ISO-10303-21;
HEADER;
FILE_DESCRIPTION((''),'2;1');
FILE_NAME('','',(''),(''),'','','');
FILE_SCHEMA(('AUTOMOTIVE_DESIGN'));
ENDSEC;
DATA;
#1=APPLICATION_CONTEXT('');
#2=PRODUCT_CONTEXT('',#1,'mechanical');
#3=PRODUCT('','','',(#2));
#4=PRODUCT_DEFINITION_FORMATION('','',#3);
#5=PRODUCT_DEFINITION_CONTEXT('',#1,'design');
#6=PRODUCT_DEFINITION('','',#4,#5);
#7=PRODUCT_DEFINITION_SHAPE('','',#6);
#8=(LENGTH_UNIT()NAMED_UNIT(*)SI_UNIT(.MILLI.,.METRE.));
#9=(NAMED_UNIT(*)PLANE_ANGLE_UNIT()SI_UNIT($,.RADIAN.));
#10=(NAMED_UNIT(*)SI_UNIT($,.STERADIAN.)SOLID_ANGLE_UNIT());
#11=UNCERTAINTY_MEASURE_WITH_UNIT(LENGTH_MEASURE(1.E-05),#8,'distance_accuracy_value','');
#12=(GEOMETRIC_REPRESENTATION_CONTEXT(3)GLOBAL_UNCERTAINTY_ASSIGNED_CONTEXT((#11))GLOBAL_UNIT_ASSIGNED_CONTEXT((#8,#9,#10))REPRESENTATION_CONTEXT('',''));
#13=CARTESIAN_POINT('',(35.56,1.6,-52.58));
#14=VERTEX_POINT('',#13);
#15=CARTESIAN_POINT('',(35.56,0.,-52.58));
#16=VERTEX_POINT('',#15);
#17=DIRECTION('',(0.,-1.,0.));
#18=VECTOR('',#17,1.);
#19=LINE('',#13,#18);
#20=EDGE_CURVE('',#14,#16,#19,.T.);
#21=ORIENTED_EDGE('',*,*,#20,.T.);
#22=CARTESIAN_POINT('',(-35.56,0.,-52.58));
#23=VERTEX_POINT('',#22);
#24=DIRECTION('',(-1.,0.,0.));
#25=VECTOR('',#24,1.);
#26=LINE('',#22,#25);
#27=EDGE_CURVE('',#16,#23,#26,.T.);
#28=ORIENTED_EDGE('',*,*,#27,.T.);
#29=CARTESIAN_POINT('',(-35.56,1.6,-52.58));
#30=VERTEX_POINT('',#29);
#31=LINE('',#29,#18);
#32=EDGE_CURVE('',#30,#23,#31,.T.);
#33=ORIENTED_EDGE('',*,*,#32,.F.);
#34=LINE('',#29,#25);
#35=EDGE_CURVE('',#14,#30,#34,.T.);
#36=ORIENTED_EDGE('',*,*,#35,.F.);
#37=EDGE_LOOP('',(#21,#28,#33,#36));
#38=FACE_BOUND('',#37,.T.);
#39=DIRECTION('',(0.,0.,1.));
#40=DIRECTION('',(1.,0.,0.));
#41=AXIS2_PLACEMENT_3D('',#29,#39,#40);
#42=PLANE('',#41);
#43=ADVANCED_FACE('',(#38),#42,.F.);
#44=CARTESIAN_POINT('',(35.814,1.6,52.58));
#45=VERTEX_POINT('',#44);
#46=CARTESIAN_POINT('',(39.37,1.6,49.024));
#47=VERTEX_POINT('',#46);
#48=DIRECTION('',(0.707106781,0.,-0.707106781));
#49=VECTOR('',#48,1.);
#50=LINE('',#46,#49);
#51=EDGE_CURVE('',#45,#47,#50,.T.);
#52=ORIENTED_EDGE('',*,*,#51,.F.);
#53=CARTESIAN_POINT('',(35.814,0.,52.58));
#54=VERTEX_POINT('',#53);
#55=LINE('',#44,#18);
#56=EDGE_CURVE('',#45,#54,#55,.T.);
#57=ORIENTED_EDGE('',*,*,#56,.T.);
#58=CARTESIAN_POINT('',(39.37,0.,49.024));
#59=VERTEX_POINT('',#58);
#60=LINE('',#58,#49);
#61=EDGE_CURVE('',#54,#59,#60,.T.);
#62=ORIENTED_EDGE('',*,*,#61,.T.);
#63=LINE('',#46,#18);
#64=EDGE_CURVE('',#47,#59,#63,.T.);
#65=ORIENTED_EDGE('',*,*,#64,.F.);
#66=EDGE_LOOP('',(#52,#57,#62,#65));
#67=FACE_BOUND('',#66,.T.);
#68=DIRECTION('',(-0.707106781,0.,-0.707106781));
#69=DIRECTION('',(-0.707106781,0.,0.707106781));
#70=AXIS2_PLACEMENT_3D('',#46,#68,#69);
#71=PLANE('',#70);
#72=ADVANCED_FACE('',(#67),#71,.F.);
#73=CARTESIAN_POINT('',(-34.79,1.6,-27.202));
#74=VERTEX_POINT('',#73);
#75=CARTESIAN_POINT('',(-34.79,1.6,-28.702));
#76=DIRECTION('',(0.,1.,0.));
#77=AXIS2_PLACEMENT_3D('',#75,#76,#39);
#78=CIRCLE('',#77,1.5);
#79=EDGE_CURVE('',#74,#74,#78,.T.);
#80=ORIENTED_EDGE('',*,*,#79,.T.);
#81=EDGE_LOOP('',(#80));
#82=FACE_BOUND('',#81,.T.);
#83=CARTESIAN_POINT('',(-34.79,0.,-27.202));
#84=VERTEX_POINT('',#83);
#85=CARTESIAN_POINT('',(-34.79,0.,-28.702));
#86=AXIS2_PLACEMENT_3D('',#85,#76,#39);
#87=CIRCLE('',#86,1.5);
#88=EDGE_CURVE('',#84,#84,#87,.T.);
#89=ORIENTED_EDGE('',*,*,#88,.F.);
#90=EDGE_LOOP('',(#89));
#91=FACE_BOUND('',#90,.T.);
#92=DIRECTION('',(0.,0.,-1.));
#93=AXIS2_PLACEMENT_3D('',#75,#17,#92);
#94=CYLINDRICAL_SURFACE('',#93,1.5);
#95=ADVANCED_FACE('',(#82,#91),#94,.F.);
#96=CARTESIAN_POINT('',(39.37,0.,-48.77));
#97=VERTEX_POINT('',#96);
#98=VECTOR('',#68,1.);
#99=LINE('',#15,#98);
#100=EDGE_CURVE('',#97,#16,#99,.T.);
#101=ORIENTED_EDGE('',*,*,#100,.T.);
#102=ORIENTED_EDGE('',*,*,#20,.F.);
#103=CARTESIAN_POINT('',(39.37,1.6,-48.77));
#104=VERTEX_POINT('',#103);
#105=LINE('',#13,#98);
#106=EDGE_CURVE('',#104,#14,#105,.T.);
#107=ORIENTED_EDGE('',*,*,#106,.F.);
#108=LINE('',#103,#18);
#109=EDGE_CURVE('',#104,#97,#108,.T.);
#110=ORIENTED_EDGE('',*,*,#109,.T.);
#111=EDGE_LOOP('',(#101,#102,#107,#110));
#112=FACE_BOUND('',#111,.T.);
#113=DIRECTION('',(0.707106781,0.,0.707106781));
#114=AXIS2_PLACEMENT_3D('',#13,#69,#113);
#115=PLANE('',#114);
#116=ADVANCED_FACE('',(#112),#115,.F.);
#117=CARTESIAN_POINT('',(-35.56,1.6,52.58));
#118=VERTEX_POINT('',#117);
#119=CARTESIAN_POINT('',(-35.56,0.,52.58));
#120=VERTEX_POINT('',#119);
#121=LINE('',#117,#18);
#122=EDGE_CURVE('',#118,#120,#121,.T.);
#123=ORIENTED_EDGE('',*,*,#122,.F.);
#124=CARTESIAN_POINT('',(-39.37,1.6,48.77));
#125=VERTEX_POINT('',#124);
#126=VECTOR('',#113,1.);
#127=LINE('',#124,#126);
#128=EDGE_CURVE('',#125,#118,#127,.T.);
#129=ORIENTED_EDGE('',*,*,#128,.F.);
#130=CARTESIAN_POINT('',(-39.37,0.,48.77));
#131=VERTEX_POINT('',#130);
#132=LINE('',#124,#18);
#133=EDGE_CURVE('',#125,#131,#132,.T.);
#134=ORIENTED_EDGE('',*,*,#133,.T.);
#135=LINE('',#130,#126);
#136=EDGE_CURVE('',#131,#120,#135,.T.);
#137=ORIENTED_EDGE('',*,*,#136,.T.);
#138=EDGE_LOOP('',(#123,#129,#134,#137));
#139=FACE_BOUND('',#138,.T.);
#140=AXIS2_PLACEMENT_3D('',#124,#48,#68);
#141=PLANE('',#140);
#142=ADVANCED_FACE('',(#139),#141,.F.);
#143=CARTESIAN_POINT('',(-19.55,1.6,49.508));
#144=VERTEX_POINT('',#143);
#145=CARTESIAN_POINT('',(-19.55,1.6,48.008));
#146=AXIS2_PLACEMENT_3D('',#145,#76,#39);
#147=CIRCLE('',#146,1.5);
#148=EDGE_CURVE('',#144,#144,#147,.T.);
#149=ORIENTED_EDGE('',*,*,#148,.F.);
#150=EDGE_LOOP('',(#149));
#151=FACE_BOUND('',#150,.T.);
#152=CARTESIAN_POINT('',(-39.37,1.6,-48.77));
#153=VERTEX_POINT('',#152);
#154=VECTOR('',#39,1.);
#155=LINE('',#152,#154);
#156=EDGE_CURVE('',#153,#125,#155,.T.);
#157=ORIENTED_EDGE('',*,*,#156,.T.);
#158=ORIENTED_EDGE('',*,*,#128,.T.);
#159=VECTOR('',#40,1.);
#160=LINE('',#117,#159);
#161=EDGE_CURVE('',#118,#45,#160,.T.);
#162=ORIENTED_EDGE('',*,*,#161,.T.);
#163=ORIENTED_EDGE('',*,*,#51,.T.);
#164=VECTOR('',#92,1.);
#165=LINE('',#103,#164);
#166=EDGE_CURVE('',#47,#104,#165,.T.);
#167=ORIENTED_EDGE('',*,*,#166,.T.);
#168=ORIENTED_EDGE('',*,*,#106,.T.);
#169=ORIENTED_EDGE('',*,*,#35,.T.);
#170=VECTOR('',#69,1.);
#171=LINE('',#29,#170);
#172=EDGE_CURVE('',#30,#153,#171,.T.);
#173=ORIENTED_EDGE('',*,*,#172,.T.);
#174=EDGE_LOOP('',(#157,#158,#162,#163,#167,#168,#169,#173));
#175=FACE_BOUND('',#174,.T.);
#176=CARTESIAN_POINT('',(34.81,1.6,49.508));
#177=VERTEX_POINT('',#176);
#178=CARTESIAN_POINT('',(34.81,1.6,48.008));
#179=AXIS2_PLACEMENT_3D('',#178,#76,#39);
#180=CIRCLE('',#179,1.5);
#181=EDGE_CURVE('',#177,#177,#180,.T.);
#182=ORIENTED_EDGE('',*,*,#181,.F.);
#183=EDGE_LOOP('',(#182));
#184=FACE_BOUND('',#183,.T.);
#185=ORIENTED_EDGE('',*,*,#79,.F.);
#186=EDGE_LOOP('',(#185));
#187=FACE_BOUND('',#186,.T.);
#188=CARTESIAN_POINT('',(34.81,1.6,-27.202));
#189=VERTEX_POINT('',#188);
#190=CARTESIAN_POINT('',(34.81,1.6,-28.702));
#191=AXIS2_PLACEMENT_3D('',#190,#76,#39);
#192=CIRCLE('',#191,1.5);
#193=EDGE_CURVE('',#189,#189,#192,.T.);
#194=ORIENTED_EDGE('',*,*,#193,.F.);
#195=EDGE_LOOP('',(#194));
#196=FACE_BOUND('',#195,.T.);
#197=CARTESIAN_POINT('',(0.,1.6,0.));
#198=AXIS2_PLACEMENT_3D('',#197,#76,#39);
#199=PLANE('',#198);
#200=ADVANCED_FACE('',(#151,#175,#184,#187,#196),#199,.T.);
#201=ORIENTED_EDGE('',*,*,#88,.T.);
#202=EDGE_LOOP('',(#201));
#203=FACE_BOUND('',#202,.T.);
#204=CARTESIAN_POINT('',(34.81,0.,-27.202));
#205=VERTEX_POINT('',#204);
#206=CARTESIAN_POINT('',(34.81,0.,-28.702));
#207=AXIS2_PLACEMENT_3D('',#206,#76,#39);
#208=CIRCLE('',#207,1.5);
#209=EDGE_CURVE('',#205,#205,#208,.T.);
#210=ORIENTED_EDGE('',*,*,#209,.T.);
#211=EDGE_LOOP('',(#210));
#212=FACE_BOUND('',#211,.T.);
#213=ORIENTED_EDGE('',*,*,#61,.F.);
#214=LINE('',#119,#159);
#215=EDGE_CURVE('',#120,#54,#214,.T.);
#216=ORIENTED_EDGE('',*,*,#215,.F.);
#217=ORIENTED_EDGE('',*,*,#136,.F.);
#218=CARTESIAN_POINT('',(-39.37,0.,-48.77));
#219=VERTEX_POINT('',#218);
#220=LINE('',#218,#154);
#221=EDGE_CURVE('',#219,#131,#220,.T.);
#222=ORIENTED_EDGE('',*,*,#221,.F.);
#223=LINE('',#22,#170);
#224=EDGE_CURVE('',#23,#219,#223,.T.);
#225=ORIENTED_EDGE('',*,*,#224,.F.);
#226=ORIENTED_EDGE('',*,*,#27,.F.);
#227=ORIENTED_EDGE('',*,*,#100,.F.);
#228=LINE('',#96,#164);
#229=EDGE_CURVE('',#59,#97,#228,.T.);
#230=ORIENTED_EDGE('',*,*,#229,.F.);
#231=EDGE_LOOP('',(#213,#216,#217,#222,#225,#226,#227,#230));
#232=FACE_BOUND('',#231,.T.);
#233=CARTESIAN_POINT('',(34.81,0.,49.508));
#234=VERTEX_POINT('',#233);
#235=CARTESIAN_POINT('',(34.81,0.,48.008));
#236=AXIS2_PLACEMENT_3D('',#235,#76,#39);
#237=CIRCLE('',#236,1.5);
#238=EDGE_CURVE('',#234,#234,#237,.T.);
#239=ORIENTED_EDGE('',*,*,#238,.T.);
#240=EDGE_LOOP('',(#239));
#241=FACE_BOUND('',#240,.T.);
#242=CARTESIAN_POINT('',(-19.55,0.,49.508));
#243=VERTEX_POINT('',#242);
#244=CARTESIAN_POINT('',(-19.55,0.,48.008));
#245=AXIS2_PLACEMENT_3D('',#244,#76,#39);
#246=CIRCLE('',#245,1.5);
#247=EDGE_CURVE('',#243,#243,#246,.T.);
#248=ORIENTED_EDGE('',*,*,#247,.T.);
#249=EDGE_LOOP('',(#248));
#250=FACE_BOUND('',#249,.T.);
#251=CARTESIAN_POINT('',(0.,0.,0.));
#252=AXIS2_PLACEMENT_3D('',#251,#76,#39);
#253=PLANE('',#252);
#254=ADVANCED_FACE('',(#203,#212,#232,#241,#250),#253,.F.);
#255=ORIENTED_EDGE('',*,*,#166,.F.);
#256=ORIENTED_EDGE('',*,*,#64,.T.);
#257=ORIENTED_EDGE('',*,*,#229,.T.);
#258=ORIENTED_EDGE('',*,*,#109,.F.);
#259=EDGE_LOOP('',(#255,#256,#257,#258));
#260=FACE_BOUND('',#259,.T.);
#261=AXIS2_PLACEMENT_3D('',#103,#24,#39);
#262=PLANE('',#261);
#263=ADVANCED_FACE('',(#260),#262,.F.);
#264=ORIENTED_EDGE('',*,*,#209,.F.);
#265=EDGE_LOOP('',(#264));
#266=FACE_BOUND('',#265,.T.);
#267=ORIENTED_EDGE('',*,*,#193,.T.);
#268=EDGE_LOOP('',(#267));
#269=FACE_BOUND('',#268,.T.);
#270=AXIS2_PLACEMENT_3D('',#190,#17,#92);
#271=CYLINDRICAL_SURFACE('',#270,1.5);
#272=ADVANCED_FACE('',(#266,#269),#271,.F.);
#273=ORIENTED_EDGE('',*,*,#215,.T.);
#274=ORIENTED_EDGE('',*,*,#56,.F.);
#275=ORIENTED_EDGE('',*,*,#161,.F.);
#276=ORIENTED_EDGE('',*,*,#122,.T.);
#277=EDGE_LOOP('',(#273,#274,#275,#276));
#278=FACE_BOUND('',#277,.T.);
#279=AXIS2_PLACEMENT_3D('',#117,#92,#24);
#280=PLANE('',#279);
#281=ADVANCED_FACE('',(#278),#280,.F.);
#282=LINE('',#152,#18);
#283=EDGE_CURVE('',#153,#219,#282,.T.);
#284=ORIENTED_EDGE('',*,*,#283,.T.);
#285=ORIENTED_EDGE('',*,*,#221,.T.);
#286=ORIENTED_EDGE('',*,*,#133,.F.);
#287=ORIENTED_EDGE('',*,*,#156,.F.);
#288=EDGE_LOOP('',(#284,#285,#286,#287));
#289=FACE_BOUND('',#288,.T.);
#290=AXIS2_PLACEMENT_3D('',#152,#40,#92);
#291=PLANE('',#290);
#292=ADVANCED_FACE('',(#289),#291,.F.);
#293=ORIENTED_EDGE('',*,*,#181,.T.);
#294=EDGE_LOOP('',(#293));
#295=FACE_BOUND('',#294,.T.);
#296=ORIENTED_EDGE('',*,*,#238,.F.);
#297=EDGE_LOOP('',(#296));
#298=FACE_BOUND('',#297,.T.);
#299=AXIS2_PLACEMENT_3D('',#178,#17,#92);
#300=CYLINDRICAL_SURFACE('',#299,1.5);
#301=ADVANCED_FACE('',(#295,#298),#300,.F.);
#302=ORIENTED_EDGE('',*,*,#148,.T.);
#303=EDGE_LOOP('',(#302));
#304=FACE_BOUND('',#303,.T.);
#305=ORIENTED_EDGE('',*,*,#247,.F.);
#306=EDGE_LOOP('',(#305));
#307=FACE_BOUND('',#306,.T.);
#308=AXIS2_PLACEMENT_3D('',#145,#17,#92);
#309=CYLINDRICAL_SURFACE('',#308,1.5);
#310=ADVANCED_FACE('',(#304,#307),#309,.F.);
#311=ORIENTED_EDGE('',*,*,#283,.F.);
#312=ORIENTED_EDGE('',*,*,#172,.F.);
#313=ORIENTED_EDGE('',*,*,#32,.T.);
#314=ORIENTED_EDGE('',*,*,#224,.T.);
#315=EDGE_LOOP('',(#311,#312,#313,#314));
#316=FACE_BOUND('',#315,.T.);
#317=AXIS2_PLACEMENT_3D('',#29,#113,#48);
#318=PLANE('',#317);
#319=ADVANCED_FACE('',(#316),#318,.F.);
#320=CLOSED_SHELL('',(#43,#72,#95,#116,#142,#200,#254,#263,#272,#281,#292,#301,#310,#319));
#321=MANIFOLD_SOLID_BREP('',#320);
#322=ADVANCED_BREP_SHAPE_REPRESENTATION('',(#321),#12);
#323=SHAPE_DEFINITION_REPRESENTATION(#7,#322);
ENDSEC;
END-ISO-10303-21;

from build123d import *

# Parameters (mm, degrees)
REP_RES_R = 1.5
CI_DEPTH  = 1.6


with BuildPart() as part:
    # Repères → CI (new body)
    with BuildSketch(Plane(origin=(0, 0, 0), x_dir=(1, 0, 0), z_dir=(0, 1, 0))):
        Polygon((-35.56, 52.58), (-39.37, 48.77), (-39.37, -48.77), (-35.56, -52.58), (35.814, -52.58), (39.37, -49.024), (39.37, 48.77), (35.56, 52.58), align=None)
        with Locations(Location((-34.79, 28.702, 0), (0, 0, 270))):
            Circle(REP_RES_R, mode=Mode.SUBTRACT)
        with Locations(Location((34.81, 28.702, 0), (0, 0, 270))):
            Circle(REP_RES_R, mode=Mode.SUBTRACT)
        with Locations(Location((34.81, -48.008, 0), (0, 0, 270))):
            Circle(REP_RES_R, mode=Mode.SUBTRACT)
        with Locations(Location((-19.55, -48.008, 0), (0, 0, 270))):
            Circle(REP_RES_R, mode=Mode.SUBTRACT)
    extrude(amount=CI_DEPTH)


solid = part.part
